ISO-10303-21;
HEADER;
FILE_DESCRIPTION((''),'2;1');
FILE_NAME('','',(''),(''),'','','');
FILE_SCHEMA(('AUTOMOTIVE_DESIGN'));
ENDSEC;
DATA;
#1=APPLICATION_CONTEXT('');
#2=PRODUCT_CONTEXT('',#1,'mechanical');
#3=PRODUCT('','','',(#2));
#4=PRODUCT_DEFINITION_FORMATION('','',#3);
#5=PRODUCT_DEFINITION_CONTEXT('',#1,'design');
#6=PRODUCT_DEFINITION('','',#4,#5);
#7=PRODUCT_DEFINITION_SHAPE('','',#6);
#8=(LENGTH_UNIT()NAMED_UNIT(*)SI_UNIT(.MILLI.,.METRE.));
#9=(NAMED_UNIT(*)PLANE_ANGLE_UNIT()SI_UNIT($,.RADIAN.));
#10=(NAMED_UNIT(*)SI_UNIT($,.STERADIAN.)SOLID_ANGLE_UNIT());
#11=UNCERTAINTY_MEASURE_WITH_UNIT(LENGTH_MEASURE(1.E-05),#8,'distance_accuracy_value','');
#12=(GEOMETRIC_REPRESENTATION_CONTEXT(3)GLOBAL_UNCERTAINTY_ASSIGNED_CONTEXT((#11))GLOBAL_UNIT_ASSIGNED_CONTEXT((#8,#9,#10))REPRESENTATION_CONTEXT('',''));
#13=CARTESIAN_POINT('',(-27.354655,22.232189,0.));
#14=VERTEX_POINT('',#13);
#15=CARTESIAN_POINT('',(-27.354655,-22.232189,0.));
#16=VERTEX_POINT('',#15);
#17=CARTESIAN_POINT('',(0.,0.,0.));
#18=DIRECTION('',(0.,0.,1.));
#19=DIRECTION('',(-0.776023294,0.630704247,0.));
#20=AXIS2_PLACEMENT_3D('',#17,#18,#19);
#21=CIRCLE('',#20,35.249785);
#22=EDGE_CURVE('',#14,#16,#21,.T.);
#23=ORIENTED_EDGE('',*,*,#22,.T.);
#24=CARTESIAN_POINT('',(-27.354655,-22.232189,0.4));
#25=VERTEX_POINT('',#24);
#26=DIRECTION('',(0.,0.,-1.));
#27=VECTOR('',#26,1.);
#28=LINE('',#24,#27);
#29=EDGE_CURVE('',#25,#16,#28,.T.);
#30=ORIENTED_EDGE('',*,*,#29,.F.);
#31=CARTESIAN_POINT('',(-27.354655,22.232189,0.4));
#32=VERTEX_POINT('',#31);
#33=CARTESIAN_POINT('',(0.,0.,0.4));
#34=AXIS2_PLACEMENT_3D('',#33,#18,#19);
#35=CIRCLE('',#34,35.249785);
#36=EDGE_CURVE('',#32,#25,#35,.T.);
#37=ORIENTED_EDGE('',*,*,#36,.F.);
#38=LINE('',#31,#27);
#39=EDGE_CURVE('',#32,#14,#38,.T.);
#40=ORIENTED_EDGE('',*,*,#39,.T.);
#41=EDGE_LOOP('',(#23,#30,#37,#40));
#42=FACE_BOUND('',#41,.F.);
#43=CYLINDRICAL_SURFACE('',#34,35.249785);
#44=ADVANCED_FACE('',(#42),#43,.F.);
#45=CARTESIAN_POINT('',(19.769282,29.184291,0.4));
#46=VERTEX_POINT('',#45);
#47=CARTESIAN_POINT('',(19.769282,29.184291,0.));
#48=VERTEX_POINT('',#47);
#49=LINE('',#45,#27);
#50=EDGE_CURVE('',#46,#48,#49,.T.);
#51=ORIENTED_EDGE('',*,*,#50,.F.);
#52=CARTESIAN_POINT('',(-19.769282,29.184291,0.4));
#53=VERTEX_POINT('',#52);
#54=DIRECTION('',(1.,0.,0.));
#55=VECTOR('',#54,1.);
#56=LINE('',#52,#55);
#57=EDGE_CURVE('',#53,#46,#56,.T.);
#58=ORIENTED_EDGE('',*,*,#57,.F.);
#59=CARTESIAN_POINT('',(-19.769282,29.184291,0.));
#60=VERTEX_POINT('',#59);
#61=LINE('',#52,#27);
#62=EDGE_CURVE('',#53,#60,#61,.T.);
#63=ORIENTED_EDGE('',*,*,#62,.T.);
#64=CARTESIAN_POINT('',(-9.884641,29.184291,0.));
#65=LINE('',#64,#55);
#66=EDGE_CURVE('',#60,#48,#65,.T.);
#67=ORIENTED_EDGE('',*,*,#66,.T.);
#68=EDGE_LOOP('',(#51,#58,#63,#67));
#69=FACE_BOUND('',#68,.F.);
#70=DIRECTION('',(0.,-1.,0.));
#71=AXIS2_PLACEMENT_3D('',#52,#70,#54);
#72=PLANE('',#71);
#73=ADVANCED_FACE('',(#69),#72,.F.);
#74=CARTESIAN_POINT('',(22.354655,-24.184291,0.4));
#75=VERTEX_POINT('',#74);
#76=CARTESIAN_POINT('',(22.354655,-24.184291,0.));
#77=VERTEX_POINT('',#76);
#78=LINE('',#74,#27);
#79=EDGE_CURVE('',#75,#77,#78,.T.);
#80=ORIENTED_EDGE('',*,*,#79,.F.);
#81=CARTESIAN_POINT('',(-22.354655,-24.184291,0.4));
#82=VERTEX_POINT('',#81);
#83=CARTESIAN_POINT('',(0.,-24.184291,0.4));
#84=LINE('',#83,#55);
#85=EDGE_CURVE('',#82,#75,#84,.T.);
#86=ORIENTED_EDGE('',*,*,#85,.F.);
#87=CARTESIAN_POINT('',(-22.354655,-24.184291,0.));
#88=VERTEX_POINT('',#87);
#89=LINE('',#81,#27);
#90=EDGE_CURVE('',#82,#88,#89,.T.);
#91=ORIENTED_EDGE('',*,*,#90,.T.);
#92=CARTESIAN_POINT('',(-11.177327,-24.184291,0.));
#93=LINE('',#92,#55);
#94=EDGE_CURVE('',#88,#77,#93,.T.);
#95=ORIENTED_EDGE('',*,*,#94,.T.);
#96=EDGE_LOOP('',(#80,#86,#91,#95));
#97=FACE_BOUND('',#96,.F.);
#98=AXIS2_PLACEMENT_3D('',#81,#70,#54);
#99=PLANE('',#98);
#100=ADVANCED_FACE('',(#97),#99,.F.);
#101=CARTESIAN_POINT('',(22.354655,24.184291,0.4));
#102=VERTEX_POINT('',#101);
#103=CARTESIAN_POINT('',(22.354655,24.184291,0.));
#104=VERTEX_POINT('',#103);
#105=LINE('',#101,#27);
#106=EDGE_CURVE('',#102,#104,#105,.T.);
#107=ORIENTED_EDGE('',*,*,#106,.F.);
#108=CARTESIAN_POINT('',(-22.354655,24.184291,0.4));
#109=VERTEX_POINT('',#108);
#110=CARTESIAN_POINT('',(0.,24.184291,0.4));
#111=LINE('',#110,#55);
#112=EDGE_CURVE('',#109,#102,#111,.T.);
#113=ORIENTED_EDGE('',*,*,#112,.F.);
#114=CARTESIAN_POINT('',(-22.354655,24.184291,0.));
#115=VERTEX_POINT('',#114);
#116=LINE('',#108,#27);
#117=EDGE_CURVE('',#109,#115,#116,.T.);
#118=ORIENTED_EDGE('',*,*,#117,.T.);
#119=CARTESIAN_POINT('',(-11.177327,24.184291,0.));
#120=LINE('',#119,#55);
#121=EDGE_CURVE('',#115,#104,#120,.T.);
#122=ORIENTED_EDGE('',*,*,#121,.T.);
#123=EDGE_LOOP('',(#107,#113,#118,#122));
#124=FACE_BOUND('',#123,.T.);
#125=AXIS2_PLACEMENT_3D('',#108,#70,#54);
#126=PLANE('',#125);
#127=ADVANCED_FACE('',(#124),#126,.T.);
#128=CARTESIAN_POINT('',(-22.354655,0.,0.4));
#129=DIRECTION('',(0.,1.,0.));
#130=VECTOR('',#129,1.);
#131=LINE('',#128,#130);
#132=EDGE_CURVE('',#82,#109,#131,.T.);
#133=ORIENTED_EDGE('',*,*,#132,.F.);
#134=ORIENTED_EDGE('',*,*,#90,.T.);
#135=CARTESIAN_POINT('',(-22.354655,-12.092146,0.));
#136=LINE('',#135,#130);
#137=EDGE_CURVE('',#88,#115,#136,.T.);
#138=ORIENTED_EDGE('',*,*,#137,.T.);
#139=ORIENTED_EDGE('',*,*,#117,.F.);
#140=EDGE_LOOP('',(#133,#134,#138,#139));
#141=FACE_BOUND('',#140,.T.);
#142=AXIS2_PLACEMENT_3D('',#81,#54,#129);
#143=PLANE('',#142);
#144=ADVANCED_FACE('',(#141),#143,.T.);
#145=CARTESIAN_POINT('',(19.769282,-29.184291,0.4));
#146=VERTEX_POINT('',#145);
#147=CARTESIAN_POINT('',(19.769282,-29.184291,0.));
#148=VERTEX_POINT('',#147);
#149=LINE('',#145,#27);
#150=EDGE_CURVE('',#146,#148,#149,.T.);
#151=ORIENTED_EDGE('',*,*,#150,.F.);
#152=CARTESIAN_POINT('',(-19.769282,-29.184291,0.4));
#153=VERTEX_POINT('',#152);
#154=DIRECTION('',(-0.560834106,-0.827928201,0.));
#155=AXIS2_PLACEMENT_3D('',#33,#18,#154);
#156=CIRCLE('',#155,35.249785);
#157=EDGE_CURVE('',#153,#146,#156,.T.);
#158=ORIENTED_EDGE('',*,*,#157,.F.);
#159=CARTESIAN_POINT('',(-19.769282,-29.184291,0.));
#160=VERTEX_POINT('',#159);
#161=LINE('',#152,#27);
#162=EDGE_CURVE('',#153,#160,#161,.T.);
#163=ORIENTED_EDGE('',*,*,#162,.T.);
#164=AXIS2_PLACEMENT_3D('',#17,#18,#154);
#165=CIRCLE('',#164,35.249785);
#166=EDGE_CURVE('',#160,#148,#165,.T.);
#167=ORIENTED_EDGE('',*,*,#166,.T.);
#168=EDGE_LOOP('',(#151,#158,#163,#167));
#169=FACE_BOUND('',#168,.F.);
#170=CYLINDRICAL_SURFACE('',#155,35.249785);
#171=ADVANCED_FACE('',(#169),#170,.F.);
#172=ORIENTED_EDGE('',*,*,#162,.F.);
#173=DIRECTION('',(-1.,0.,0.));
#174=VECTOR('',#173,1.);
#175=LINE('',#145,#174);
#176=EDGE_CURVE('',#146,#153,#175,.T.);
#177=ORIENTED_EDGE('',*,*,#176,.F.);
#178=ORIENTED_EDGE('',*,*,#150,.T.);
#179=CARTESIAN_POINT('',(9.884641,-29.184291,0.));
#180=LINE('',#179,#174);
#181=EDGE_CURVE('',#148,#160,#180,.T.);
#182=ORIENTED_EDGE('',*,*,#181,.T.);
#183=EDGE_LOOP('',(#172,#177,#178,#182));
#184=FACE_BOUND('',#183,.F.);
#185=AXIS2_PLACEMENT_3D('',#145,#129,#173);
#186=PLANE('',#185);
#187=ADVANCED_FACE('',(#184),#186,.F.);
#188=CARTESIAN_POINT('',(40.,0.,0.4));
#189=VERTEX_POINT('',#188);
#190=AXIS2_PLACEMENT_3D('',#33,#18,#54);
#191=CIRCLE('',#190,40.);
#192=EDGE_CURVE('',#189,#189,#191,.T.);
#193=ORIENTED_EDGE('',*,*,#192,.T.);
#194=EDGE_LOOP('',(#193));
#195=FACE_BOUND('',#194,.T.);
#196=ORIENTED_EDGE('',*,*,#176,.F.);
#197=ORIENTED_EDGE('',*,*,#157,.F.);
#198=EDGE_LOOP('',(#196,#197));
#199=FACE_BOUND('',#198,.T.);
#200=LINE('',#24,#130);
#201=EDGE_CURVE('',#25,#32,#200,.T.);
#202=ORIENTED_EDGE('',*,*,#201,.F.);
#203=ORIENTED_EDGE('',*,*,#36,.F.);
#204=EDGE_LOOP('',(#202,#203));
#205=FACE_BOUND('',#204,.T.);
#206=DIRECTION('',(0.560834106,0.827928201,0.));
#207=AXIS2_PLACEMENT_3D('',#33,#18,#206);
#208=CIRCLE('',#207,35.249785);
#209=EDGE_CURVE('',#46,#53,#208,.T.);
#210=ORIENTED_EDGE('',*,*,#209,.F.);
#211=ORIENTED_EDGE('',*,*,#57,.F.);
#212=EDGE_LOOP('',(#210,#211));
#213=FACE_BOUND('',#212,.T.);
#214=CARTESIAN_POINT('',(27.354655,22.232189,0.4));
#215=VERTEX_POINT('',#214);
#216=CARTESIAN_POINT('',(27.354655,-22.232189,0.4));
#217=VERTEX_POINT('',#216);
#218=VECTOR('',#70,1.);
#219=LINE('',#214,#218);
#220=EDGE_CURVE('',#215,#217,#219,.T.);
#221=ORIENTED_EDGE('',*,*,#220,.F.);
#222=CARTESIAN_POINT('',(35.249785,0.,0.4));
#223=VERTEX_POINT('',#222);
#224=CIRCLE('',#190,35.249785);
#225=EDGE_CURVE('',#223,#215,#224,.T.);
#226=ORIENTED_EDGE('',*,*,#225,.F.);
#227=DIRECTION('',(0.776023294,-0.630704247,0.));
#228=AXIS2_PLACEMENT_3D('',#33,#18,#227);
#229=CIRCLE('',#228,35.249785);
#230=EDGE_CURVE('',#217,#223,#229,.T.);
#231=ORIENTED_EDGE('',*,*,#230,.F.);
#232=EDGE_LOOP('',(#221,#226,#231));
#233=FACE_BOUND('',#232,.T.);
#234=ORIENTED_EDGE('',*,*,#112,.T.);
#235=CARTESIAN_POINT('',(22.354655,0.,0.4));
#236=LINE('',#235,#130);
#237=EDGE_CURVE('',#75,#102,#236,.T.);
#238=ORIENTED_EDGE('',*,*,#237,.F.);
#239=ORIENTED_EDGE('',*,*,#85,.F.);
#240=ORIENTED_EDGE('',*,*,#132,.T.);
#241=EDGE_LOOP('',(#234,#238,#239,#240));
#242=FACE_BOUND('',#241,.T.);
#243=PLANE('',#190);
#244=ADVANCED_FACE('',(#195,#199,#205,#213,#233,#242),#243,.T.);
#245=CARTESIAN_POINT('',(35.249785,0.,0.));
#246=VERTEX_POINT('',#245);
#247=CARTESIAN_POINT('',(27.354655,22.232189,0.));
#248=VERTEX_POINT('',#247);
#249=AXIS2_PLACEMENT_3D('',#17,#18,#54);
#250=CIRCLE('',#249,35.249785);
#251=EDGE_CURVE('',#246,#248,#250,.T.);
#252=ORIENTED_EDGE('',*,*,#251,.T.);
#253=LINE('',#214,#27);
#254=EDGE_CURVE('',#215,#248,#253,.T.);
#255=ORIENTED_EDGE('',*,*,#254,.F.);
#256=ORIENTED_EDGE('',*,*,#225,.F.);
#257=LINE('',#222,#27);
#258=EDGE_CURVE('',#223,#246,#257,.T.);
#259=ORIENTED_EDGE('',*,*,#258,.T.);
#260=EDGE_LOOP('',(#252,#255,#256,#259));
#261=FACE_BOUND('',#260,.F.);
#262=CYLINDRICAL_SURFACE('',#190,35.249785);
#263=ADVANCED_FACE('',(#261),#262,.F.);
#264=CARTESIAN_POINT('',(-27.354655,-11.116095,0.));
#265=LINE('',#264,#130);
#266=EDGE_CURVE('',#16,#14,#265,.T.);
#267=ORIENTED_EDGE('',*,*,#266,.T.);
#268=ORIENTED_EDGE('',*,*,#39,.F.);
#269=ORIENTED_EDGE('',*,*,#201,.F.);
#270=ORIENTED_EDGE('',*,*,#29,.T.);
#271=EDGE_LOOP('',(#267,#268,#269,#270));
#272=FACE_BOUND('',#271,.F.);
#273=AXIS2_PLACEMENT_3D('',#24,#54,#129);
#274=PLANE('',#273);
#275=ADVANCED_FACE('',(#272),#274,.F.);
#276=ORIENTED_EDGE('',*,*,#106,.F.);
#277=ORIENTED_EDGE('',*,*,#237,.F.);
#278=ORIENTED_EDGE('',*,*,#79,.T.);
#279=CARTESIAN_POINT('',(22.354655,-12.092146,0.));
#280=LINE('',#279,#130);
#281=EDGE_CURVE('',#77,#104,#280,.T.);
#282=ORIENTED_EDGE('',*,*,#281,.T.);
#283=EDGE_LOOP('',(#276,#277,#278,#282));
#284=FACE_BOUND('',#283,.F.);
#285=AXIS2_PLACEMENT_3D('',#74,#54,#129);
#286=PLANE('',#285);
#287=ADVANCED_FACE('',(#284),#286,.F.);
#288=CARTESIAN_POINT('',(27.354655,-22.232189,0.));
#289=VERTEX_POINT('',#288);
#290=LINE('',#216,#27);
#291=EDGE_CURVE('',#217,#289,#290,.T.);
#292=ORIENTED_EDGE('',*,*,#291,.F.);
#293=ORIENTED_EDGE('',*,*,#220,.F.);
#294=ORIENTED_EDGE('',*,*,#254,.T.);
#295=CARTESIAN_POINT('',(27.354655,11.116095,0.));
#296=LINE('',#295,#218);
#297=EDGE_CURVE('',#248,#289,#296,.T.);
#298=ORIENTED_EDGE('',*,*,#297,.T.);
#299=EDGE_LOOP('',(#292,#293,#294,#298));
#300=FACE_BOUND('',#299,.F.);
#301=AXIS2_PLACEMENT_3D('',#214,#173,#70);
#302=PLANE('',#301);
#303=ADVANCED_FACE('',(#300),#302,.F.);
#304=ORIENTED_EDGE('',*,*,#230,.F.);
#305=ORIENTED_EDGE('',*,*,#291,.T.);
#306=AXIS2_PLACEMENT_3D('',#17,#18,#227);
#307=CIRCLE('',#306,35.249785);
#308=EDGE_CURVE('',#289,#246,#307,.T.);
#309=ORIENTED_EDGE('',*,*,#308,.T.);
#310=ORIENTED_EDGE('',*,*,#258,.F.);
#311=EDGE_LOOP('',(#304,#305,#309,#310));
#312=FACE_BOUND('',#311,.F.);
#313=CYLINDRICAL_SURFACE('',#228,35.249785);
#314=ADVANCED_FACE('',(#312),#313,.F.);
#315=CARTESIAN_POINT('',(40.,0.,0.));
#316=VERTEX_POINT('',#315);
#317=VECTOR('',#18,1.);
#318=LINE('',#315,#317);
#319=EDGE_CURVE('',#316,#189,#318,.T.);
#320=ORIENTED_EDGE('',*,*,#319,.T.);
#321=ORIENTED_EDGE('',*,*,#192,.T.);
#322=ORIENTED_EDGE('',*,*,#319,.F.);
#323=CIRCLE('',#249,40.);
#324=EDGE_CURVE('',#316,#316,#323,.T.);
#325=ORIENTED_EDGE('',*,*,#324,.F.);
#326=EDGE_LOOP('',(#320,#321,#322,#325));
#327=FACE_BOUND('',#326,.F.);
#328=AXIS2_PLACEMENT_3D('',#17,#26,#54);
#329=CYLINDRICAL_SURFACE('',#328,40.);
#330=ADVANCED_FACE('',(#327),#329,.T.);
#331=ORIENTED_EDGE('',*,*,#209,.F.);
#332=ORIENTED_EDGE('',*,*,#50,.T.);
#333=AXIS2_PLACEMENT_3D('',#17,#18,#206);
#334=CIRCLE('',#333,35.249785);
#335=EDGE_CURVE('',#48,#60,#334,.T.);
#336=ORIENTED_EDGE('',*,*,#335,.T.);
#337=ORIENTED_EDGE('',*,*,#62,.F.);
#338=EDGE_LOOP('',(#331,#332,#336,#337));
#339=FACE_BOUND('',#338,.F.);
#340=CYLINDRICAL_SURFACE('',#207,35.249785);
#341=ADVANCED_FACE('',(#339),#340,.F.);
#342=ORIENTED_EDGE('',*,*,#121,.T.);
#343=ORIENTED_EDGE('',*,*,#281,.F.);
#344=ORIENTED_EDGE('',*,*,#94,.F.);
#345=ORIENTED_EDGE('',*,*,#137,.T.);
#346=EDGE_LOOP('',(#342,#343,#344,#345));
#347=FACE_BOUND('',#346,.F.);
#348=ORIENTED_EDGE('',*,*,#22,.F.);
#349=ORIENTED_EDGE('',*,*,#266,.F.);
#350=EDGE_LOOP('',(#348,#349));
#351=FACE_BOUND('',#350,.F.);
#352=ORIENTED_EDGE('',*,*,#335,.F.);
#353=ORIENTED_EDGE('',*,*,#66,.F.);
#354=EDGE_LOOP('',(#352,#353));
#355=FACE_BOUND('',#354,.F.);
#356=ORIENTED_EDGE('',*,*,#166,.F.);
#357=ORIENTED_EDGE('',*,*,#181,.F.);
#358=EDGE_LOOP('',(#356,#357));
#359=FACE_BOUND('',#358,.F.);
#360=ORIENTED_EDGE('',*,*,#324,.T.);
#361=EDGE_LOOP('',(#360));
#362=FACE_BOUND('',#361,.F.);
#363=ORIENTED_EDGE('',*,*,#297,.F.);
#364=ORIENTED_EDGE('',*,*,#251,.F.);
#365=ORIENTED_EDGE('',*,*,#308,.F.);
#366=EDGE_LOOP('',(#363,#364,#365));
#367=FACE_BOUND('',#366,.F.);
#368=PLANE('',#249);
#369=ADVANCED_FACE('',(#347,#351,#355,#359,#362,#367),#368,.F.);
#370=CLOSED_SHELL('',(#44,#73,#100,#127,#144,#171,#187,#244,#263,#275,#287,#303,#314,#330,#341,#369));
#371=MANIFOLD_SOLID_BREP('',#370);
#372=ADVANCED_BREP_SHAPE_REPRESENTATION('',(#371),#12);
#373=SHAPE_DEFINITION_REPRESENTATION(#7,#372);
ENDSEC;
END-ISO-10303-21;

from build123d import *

# Parameters (mm, degrees)
F0_R     = 40
F1_DEPTH = 0.4
F2_W     = 44.7093093119
F2_H     = 48.3685829416
F3_DEPTH = 25


with BuildPart() as f1:
    # F0 (on Top) → F1 (new body)
    with BuildSketch(Plane.XY):
        Circle(F0_R)
    extrude(amount=F1_DEPTH)

    # F2 (on face) → F3 (cut)
    with BuildSketch(Plane.XY.offset(0.4)):
        Rectangle(F2_W, F2_H)
        with BuildLine():
            Line((-27.354654656, -22.2321893938), (-27.354654656, 22.2321893938))
            ThreePointArc((-27.354654656, 22.2321893938), (-35.2497854829, 0), (-27.354654656, -22.2321893938))
        make_face()
        with BuildLine():
            ThreePointArc((19.7692819277, 29.1842914708), (0, 35.2497854829), (-19.7692819277, 29.1842914708))
            Line((-19.7692819277, 29.1842914708), (19.7692819277, 29.1842914708))
        make_face()
        with BuildLine():
            ThreePointArc((35.2497854829, 0), (33.2174132434, 11.7962211748), (27.354654656, 22.2321893938))
            Line((27.354654656, 22.2321893938), (27.354654656, -22.2321893938))
            ThreePointArc((27.354654656, -22.2321893938), (33.2174132434, -11.7962211748), (35.2497854829, 0))
        make_face()
        with BuildLine():
            Line((19.7692819277, -29.1842914708), (-19.7692819277, -29.1842914708))
            ThreePointArc((-19.7692819277, -29.1842914708), (0, -35.2497854829), (19.7692819277, -29.1842914708))
        make_face()
    extrude(amount=-F3_DEPTH, mode=Mode.SUBTRACT)


solid = f1.part
